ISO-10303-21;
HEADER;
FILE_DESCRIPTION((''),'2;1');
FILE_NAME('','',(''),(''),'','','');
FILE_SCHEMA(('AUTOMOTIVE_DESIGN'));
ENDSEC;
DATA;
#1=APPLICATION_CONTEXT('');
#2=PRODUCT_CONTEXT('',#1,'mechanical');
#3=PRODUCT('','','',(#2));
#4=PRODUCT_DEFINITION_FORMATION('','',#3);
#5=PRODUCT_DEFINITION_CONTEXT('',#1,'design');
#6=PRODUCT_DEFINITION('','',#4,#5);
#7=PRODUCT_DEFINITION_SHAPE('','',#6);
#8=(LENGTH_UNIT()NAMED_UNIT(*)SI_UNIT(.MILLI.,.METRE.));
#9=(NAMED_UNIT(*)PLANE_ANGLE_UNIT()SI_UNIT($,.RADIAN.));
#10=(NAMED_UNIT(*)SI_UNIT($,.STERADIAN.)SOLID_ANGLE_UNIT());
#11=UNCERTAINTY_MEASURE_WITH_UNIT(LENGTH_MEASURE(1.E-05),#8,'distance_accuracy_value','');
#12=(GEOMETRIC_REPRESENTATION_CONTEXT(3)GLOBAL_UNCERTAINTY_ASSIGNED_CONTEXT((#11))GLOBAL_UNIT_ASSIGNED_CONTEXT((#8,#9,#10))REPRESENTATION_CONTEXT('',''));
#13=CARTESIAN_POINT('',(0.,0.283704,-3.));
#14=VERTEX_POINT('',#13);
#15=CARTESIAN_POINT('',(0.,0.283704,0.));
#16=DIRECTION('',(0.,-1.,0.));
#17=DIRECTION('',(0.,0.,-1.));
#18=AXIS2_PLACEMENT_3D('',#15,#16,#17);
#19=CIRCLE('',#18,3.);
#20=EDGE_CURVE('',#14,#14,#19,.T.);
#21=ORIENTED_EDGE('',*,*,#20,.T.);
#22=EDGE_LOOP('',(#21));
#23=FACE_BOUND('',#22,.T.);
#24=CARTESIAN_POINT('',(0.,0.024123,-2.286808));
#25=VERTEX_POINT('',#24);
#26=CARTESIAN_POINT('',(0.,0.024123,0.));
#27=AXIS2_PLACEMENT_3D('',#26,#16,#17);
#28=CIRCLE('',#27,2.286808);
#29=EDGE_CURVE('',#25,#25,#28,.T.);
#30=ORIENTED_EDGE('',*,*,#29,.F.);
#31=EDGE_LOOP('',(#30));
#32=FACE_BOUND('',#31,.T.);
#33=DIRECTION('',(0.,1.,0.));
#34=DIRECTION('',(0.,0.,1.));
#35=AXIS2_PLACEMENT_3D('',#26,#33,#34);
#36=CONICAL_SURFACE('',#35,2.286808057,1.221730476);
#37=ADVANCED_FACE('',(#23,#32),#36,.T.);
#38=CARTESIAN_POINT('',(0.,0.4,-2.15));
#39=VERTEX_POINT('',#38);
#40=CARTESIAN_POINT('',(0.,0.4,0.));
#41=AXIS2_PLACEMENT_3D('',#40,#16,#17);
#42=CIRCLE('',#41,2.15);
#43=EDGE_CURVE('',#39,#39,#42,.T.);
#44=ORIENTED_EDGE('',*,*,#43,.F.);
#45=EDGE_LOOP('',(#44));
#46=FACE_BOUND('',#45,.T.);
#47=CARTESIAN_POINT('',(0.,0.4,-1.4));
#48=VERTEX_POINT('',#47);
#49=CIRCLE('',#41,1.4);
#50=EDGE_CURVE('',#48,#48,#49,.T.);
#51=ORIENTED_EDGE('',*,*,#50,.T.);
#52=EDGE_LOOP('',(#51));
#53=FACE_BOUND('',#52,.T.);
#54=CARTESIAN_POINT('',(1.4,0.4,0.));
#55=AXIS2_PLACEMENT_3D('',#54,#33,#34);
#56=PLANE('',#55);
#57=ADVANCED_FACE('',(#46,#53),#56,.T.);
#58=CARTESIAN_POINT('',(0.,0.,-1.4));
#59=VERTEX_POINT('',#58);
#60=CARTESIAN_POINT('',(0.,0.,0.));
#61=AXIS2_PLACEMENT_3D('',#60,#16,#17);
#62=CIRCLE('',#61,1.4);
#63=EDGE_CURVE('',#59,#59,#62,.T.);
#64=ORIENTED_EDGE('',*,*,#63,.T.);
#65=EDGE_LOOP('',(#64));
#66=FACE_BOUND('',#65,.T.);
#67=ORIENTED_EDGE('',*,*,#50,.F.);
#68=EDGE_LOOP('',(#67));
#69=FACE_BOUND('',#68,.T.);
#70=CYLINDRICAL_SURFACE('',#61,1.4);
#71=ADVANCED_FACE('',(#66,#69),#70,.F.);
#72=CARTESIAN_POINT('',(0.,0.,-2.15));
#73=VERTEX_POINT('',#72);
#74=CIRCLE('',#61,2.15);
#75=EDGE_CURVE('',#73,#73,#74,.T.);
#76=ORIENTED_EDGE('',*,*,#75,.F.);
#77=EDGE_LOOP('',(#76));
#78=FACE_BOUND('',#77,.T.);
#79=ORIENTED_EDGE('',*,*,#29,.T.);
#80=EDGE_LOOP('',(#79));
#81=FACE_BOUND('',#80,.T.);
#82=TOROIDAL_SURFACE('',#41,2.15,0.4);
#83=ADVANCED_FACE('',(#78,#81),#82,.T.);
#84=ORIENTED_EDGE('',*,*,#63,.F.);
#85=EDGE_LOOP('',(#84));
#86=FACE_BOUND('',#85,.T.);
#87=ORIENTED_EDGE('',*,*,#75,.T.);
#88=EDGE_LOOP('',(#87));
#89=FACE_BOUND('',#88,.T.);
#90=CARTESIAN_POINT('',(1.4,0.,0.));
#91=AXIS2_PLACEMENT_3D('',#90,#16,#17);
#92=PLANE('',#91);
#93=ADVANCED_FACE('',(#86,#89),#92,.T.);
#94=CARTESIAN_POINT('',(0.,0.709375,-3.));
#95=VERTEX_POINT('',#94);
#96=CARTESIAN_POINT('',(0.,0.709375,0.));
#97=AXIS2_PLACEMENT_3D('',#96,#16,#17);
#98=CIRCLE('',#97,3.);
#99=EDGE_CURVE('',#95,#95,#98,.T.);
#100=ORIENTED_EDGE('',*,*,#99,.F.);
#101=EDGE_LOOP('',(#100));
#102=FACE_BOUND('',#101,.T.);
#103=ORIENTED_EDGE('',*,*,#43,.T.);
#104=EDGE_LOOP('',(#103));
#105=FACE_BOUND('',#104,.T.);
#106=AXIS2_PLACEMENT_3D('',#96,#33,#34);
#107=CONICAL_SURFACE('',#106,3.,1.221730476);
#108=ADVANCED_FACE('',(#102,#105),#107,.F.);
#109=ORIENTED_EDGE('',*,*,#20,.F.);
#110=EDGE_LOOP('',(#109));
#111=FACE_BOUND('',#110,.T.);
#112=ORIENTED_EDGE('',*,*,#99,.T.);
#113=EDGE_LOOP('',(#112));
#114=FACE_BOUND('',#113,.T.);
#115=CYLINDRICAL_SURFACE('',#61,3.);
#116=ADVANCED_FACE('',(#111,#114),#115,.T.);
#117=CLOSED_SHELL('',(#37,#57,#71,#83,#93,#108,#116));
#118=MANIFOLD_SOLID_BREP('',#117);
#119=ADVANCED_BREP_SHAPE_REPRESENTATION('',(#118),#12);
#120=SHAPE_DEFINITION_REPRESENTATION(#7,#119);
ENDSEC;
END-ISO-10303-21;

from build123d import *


with BuildPart() as part:
    # Sketch1 → Revolve1 (revolve)
    with BuildSketch(Plane.XY, mode=Mode.PRIVATE) as revolve1_sk:
        with BuildLine():
            Line((2.15, 0.4), (3, 0.709374699))
            Line((3, 0.709374699), (3, 0.28370359))
            Line((3, 0.28370359), (2.286808057, 0.024122952))
            ThreePointArc((2.286808057, 0.024122952), (2.219459271, 0.006076899), (2.15, 0))
            Line((2.15, 0), (1.4, 0))
            Line((1.4, 0), (1.4, 0.4))
            Line((1.4, 0.4), (2.15, 0.4))
        make_face()
    revolve(revolve1_sk.sketch.rotate(Axis((0, 0, 0), (0, 1, 0)), 90), axis=Axis((0, 0, 0), (0, 1, 0)))  # turned: the seam where the file's is


solid = part.part
